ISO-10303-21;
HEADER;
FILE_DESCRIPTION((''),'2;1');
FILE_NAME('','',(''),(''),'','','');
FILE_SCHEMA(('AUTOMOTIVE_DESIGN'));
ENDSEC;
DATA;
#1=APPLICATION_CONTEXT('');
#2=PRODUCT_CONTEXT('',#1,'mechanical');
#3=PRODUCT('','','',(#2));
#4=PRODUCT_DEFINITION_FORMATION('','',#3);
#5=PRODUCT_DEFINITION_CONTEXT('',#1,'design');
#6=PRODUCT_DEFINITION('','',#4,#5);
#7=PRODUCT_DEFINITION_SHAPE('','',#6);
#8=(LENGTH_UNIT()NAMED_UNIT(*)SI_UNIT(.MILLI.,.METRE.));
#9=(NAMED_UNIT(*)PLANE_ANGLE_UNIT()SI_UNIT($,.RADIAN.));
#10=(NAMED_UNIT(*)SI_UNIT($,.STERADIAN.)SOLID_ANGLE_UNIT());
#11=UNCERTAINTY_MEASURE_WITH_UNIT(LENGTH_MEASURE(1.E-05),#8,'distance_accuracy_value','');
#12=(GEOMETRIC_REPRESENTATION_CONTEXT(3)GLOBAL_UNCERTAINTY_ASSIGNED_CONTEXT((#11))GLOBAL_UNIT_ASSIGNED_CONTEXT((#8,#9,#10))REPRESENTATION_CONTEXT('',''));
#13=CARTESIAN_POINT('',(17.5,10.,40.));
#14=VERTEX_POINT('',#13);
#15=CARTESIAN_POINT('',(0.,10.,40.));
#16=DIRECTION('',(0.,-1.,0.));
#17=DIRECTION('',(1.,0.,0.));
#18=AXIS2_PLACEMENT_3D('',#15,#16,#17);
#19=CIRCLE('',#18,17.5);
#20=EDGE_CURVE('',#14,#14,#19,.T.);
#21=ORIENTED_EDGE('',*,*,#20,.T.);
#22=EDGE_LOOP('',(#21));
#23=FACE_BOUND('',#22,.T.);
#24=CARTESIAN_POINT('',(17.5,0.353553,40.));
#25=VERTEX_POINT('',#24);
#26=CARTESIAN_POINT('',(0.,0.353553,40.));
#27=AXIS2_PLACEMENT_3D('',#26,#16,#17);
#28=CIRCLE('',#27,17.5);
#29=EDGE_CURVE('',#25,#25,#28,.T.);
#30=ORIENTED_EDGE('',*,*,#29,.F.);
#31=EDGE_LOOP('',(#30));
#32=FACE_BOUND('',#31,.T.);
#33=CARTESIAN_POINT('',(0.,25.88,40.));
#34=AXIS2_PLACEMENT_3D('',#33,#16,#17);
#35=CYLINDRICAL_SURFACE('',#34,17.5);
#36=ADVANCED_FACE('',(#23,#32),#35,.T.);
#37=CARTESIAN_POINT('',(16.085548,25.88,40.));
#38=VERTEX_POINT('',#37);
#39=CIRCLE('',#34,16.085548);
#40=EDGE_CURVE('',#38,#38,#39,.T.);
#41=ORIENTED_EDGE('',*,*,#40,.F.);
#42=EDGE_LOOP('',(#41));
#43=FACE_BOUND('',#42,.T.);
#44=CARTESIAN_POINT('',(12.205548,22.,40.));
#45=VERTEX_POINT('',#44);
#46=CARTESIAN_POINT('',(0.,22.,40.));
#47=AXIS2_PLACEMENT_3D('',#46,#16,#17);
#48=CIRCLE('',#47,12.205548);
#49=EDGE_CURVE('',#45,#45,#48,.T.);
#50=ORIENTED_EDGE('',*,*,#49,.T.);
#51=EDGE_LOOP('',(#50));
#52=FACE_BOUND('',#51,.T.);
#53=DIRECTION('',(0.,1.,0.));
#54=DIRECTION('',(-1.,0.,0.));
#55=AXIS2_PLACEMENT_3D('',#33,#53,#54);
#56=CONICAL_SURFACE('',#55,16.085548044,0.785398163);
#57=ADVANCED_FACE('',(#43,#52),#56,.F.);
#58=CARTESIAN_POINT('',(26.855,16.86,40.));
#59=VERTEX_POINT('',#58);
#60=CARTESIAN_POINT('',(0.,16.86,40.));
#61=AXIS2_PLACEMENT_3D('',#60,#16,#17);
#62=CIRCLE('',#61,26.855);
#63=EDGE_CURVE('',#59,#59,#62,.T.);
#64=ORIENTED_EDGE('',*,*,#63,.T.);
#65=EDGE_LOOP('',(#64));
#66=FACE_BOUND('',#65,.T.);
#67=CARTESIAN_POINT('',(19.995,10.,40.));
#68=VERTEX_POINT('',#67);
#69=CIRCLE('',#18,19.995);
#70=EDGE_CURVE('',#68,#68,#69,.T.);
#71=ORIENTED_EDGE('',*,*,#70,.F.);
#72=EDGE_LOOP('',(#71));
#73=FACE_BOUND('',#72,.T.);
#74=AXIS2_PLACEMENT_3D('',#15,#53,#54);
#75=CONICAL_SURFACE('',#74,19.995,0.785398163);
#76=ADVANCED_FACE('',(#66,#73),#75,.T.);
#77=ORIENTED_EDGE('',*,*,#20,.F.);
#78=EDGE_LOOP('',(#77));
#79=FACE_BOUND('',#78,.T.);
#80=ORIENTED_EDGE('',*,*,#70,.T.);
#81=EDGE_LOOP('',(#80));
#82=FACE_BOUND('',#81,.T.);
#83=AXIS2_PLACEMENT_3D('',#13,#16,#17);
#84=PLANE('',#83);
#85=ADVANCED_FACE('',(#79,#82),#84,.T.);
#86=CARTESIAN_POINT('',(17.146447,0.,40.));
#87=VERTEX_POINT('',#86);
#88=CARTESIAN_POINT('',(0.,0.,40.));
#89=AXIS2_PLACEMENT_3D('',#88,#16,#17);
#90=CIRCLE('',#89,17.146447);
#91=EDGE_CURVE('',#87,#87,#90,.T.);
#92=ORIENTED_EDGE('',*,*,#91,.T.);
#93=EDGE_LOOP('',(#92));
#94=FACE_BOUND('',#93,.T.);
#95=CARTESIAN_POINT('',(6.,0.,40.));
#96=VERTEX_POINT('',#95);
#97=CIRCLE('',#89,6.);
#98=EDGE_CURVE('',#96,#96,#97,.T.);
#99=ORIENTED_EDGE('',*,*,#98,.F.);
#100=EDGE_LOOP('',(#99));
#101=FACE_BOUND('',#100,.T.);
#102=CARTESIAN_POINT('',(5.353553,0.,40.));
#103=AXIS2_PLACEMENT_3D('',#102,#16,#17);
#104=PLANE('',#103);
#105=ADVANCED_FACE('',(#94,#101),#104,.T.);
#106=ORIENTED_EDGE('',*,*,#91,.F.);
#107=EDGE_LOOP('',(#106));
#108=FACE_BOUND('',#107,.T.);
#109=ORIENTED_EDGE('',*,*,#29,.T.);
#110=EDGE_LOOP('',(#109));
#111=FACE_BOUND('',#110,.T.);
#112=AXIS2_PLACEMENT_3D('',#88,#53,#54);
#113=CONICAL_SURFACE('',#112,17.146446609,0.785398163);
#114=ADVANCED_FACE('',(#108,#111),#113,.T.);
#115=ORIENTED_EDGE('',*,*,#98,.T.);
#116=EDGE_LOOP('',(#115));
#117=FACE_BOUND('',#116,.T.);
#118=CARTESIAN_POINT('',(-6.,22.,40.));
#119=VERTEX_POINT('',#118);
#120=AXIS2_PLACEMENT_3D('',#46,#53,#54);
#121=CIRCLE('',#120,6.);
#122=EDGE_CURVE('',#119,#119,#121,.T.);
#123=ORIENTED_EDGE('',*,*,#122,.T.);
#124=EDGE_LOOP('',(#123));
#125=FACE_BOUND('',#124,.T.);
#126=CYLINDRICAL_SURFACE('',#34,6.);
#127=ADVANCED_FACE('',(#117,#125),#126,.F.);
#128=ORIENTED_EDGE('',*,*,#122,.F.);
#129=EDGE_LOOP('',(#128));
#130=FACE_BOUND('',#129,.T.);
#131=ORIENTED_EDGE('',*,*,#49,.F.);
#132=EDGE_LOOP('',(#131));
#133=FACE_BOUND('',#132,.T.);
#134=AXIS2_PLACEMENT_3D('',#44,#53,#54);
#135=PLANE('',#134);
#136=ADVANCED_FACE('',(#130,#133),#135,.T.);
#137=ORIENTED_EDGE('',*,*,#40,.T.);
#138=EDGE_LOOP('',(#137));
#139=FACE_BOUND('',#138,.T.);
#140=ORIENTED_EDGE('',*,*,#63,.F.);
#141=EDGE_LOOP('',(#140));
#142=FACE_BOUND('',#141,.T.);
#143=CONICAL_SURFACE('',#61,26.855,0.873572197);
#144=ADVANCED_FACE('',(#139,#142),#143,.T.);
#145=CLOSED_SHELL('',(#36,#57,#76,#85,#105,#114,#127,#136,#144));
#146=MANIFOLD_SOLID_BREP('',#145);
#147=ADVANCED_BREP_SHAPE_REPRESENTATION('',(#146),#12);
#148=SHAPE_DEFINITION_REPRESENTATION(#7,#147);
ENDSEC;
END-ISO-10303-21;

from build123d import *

# Parameters (mm, degrees)
SKETCH2_R          = 6
CUT_EXTRUDE1_DEPTH = 26.88


with BuildPart() as part:
    # Sketch1 → Revolve1 (revolve)
    with BuildSketch(Plane.XY.offset(40)):
        Polygon((5.353553391, 0), (17.146446609, 0), (17.5, 0.353553391), (17.5, 10), (19.995, 10), (26.855, 16.86), (16.085548044, 25.88), (12.205548044, 22), (5, 22), (5, 0.353553391), align=None)
    revolve(axis=Axis((0, 25.88, 40), (0, -1, 0)))

    # Sketch2 → Cut-Extrude1 (cut, through all)
    with BuildSketch(Plane.XZ):
        with Locations((0, 40)):
            Circle(SKETCH2_R)
    extrude(amount=-CUT_EXTRUDE1_DEPTH, mode=Mode.SUBTRACT)


solid = part.part
